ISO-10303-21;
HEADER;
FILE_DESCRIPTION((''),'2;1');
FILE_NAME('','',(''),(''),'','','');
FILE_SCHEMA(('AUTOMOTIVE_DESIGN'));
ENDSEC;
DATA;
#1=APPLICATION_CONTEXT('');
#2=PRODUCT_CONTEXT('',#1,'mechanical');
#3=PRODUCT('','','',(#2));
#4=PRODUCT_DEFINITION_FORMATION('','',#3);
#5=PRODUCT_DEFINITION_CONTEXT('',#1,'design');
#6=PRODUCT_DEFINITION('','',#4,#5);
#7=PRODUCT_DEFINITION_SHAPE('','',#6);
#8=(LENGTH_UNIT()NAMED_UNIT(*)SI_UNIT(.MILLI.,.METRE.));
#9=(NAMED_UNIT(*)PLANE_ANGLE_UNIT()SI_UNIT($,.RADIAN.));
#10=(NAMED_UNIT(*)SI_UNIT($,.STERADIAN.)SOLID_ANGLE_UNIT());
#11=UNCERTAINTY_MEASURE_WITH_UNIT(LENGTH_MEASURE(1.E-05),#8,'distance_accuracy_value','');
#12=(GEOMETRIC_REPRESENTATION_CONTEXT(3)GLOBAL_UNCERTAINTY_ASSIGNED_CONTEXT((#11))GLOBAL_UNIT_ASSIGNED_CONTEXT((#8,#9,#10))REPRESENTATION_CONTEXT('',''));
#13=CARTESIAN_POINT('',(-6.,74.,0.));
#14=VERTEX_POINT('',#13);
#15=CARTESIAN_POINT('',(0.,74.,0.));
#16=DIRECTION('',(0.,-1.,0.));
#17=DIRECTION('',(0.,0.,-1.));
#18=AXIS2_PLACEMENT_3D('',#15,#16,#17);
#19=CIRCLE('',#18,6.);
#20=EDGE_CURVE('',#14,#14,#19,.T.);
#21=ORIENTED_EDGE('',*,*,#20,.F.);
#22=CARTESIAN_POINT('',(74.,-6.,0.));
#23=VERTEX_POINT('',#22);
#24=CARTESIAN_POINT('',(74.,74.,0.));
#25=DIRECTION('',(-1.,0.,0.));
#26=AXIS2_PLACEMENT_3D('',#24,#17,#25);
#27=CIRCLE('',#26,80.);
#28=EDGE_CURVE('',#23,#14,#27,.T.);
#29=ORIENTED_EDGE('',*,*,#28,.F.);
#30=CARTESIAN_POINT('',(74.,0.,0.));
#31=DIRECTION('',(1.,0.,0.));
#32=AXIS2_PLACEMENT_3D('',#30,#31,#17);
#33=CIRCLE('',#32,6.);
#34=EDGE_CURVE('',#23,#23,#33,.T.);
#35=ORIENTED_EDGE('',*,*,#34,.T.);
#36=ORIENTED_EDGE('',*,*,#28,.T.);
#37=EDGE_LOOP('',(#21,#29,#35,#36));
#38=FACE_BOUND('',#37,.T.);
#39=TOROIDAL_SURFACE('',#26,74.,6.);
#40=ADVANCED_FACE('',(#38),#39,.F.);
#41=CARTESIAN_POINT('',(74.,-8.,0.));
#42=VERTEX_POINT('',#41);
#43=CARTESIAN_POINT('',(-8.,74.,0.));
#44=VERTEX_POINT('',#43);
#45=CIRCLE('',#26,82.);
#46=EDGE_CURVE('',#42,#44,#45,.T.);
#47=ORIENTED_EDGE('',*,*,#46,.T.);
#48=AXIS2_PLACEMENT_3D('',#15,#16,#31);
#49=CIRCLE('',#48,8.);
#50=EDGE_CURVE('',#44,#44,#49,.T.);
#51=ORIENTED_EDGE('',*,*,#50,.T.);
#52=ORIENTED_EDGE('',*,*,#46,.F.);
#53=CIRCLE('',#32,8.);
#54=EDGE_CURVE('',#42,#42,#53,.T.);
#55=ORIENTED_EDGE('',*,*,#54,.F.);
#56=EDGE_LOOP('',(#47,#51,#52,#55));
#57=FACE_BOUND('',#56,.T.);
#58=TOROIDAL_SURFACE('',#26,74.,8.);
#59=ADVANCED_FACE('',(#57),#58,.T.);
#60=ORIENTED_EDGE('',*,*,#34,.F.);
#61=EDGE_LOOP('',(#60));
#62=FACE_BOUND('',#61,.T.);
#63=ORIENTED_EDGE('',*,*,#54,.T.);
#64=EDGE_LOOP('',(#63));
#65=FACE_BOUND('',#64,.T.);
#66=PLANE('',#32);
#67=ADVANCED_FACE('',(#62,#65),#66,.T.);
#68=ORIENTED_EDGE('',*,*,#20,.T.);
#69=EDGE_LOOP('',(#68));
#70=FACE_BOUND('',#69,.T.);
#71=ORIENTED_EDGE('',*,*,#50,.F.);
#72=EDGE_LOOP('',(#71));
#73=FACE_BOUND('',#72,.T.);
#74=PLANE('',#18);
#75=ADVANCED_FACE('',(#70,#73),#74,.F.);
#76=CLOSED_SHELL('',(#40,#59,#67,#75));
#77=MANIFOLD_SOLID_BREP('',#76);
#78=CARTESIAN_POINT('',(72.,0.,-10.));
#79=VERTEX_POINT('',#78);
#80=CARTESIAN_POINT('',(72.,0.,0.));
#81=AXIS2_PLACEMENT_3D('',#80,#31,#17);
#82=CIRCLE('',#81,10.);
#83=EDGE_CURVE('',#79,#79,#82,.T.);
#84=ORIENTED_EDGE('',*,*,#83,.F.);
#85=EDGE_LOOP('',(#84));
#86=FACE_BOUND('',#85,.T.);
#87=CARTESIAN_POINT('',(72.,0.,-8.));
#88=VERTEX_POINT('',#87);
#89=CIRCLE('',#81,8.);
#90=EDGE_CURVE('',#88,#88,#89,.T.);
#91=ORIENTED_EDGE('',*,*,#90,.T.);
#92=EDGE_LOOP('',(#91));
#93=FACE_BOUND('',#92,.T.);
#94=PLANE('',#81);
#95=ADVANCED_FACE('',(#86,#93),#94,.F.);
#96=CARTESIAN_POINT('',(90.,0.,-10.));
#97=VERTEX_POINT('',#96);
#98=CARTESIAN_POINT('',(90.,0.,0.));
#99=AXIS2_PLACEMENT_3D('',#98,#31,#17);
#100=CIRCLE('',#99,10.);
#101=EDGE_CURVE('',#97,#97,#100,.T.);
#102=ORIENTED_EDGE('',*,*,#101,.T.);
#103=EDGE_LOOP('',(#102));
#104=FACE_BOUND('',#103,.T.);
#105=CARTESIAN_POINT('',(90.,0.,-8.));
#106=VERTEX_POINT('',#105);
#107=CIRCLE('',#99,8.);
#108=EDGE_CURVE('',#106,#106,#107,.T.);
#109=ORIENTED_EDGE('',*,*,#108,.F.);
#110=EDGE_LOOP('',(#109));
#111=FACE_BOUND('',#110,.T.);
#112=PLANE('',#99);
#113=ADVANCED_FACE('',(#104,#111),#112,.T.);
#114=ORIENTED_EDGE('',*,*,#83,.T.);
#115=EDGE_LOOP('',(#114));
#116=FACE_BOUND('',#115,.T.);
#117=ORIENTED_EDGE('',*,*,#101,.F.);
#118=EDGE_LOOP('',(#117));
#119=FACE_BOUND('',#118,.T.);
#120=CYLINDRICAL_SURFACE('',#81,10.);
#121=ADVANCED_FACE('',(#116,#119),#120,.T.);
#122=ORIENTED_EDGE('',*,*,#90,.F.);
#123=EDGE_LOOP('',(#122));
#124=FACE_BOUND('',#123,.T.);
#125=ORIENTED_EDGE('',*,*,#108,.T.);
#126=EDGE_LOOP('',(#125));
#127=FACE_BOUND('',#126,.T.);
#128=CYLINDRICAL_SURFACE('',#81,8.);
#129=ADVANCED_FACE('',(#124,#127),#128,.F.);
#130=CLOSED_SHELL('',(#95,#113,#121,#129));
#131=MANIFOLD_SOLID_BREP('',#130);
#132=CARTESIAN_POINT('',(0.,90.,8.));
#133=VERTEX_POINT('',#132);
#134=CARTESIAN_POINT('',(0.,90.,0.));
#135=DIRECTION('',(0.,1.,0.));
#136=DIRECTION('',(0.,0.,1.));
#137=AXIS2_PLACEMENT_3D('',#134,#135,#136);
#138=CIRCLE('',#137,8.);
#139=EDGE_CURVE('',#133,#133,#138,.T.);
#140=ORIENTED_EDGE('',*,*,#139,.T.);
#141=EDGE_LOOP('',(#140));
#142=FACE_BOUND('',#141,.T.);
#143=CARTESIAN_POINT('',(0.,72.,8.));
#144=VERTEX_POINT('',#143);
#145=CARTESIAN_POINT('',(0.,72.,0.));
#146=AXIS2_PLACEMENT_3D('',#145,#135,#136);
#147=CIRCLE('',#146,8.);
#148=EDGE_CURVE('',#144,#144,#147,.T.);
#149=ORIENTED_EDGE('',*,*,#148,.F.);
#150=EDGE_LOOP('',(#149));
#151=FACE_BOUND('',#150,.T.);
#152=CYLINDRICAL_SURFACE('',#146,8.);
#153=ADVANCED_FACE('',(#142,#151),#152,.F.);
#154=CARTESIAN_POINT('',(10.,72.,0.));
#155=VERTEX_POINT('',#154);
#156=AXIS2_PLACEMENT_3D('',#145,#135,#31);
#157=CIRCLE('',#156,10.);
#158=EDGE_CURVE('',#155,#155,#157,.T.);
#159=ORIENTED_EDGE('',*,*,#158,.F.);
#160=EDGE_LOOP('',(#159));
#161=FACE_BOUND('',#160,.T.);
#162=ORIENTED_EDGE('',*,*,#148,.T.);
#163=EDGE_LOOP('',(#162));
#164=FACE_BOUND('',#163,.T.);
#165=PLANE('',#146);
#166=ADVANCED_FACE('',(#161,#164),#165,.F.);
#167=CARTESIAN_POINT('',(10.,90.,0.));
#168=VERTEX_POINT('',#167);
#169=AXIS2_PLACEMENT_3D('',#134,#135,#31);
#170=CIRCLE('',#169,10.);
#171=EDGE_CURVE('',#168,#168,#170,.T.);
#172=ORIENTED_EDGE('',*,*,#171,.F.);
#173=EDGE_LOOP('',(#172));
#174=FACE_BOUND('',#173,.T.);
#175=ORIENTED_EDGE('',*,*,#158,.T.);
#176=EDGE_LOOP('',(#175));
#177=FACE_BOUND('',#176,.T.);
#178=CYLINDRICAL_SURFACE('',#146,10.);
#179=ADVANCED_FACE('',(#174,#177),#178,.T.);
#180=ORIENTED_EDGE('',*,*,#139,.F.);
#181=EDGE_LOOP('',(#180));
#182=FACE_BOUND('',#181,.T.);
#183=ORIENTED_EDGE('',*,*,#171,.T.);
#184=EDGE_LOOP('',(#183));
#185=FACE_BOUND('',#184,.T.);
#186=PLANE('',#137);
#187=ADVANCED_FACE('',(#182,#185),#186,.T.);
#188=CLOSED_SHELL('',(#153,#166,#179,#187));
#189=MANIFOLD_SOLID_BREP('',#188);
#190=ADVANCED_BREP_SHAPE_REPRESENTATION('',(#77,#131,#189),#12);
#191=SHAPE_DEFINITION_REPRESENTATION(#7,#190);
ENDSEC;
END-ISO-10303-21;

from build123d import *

# Parameters (mm, degrees)
SKETCH8_R                = 8
SKETCH8_R_2              = 6
EXTRUDE_THIN1_DEPTH      = 16
EXTRUDE_THIN1_DEPTH_BACK = 2
SKETCH11_R               = 10
SKETCH11_R_2             = 8
EXTRUDE_THIN2_DEPTH      = 16
EXTRUDE_THIN2_DEPTH_BACK = 2
SKETCH10_R               = 10
SKETCH10_R_2             = 8


with BuildPart() as part:
    # Sweep-Thin1: sweep along a path in Sketch5
    with BuildLine(Plane.XY) as sweep_thin1_path:
        ThreePointArc((74, 0), (21.674098192, 21.674098192), (0, 74))
    # Sketch8 → Sweep-Thin1 (sweep)
    with BuildSketch(Plane(origin=(74, 0, 0), x_dir=(0, 0, -1), z_dir=(1, 0, 0))):
        Circle(SKETCH8_R)
        Circle(SKETCH8_R_2, mode=Mode.SUBTRACT)
    sweep(path=sweep_thin1_path.line)


with BuildPart() as body_2:
    # Sketch11 → Extrude-Thin1 (new, two sides: drawn at the far end of the back side and taken through both)
    with BuildSketch(Plane(origin=(74, 0, 0), x_dir=(0, 0, -1), z_dir=(1, 0, 0)).offset(-EXTRUDE_THIN1_DEPTH_BACK)):
        Circle(SKETCH11_R)
        Circle(SKETCH11_R_2, mode=Mode.SUBTRACT)
    extrude(amount=EXTRUDE_THIN1_DEPTH + EXTRUDE_THIN1_DEPTH_BACK)


with BuildPart() as body_3:
    # Sketch10 → Extrude-Thin2 (new, two sides: drawn at the far end of the back side and taken through both)
    with BuildSketch(Plane(origin=(0, 74, 0), x_dir=(1, 0, 0), z_dir=(0, 1, 0)).offset(-EXTRUDE_THIN2_DEPTH_BACK)):
        Circle(SKETCH10_R)
        Circle(SKETCH10_R_2, mode=Mode.SUBTRACT)
    extrude(amount=EXTRUDE_THIN2_DEPTH + EXTRUDE_THIN2_DEPTH_BACK)


solid = Compound([part.part, body_2.part, body_3.part])
